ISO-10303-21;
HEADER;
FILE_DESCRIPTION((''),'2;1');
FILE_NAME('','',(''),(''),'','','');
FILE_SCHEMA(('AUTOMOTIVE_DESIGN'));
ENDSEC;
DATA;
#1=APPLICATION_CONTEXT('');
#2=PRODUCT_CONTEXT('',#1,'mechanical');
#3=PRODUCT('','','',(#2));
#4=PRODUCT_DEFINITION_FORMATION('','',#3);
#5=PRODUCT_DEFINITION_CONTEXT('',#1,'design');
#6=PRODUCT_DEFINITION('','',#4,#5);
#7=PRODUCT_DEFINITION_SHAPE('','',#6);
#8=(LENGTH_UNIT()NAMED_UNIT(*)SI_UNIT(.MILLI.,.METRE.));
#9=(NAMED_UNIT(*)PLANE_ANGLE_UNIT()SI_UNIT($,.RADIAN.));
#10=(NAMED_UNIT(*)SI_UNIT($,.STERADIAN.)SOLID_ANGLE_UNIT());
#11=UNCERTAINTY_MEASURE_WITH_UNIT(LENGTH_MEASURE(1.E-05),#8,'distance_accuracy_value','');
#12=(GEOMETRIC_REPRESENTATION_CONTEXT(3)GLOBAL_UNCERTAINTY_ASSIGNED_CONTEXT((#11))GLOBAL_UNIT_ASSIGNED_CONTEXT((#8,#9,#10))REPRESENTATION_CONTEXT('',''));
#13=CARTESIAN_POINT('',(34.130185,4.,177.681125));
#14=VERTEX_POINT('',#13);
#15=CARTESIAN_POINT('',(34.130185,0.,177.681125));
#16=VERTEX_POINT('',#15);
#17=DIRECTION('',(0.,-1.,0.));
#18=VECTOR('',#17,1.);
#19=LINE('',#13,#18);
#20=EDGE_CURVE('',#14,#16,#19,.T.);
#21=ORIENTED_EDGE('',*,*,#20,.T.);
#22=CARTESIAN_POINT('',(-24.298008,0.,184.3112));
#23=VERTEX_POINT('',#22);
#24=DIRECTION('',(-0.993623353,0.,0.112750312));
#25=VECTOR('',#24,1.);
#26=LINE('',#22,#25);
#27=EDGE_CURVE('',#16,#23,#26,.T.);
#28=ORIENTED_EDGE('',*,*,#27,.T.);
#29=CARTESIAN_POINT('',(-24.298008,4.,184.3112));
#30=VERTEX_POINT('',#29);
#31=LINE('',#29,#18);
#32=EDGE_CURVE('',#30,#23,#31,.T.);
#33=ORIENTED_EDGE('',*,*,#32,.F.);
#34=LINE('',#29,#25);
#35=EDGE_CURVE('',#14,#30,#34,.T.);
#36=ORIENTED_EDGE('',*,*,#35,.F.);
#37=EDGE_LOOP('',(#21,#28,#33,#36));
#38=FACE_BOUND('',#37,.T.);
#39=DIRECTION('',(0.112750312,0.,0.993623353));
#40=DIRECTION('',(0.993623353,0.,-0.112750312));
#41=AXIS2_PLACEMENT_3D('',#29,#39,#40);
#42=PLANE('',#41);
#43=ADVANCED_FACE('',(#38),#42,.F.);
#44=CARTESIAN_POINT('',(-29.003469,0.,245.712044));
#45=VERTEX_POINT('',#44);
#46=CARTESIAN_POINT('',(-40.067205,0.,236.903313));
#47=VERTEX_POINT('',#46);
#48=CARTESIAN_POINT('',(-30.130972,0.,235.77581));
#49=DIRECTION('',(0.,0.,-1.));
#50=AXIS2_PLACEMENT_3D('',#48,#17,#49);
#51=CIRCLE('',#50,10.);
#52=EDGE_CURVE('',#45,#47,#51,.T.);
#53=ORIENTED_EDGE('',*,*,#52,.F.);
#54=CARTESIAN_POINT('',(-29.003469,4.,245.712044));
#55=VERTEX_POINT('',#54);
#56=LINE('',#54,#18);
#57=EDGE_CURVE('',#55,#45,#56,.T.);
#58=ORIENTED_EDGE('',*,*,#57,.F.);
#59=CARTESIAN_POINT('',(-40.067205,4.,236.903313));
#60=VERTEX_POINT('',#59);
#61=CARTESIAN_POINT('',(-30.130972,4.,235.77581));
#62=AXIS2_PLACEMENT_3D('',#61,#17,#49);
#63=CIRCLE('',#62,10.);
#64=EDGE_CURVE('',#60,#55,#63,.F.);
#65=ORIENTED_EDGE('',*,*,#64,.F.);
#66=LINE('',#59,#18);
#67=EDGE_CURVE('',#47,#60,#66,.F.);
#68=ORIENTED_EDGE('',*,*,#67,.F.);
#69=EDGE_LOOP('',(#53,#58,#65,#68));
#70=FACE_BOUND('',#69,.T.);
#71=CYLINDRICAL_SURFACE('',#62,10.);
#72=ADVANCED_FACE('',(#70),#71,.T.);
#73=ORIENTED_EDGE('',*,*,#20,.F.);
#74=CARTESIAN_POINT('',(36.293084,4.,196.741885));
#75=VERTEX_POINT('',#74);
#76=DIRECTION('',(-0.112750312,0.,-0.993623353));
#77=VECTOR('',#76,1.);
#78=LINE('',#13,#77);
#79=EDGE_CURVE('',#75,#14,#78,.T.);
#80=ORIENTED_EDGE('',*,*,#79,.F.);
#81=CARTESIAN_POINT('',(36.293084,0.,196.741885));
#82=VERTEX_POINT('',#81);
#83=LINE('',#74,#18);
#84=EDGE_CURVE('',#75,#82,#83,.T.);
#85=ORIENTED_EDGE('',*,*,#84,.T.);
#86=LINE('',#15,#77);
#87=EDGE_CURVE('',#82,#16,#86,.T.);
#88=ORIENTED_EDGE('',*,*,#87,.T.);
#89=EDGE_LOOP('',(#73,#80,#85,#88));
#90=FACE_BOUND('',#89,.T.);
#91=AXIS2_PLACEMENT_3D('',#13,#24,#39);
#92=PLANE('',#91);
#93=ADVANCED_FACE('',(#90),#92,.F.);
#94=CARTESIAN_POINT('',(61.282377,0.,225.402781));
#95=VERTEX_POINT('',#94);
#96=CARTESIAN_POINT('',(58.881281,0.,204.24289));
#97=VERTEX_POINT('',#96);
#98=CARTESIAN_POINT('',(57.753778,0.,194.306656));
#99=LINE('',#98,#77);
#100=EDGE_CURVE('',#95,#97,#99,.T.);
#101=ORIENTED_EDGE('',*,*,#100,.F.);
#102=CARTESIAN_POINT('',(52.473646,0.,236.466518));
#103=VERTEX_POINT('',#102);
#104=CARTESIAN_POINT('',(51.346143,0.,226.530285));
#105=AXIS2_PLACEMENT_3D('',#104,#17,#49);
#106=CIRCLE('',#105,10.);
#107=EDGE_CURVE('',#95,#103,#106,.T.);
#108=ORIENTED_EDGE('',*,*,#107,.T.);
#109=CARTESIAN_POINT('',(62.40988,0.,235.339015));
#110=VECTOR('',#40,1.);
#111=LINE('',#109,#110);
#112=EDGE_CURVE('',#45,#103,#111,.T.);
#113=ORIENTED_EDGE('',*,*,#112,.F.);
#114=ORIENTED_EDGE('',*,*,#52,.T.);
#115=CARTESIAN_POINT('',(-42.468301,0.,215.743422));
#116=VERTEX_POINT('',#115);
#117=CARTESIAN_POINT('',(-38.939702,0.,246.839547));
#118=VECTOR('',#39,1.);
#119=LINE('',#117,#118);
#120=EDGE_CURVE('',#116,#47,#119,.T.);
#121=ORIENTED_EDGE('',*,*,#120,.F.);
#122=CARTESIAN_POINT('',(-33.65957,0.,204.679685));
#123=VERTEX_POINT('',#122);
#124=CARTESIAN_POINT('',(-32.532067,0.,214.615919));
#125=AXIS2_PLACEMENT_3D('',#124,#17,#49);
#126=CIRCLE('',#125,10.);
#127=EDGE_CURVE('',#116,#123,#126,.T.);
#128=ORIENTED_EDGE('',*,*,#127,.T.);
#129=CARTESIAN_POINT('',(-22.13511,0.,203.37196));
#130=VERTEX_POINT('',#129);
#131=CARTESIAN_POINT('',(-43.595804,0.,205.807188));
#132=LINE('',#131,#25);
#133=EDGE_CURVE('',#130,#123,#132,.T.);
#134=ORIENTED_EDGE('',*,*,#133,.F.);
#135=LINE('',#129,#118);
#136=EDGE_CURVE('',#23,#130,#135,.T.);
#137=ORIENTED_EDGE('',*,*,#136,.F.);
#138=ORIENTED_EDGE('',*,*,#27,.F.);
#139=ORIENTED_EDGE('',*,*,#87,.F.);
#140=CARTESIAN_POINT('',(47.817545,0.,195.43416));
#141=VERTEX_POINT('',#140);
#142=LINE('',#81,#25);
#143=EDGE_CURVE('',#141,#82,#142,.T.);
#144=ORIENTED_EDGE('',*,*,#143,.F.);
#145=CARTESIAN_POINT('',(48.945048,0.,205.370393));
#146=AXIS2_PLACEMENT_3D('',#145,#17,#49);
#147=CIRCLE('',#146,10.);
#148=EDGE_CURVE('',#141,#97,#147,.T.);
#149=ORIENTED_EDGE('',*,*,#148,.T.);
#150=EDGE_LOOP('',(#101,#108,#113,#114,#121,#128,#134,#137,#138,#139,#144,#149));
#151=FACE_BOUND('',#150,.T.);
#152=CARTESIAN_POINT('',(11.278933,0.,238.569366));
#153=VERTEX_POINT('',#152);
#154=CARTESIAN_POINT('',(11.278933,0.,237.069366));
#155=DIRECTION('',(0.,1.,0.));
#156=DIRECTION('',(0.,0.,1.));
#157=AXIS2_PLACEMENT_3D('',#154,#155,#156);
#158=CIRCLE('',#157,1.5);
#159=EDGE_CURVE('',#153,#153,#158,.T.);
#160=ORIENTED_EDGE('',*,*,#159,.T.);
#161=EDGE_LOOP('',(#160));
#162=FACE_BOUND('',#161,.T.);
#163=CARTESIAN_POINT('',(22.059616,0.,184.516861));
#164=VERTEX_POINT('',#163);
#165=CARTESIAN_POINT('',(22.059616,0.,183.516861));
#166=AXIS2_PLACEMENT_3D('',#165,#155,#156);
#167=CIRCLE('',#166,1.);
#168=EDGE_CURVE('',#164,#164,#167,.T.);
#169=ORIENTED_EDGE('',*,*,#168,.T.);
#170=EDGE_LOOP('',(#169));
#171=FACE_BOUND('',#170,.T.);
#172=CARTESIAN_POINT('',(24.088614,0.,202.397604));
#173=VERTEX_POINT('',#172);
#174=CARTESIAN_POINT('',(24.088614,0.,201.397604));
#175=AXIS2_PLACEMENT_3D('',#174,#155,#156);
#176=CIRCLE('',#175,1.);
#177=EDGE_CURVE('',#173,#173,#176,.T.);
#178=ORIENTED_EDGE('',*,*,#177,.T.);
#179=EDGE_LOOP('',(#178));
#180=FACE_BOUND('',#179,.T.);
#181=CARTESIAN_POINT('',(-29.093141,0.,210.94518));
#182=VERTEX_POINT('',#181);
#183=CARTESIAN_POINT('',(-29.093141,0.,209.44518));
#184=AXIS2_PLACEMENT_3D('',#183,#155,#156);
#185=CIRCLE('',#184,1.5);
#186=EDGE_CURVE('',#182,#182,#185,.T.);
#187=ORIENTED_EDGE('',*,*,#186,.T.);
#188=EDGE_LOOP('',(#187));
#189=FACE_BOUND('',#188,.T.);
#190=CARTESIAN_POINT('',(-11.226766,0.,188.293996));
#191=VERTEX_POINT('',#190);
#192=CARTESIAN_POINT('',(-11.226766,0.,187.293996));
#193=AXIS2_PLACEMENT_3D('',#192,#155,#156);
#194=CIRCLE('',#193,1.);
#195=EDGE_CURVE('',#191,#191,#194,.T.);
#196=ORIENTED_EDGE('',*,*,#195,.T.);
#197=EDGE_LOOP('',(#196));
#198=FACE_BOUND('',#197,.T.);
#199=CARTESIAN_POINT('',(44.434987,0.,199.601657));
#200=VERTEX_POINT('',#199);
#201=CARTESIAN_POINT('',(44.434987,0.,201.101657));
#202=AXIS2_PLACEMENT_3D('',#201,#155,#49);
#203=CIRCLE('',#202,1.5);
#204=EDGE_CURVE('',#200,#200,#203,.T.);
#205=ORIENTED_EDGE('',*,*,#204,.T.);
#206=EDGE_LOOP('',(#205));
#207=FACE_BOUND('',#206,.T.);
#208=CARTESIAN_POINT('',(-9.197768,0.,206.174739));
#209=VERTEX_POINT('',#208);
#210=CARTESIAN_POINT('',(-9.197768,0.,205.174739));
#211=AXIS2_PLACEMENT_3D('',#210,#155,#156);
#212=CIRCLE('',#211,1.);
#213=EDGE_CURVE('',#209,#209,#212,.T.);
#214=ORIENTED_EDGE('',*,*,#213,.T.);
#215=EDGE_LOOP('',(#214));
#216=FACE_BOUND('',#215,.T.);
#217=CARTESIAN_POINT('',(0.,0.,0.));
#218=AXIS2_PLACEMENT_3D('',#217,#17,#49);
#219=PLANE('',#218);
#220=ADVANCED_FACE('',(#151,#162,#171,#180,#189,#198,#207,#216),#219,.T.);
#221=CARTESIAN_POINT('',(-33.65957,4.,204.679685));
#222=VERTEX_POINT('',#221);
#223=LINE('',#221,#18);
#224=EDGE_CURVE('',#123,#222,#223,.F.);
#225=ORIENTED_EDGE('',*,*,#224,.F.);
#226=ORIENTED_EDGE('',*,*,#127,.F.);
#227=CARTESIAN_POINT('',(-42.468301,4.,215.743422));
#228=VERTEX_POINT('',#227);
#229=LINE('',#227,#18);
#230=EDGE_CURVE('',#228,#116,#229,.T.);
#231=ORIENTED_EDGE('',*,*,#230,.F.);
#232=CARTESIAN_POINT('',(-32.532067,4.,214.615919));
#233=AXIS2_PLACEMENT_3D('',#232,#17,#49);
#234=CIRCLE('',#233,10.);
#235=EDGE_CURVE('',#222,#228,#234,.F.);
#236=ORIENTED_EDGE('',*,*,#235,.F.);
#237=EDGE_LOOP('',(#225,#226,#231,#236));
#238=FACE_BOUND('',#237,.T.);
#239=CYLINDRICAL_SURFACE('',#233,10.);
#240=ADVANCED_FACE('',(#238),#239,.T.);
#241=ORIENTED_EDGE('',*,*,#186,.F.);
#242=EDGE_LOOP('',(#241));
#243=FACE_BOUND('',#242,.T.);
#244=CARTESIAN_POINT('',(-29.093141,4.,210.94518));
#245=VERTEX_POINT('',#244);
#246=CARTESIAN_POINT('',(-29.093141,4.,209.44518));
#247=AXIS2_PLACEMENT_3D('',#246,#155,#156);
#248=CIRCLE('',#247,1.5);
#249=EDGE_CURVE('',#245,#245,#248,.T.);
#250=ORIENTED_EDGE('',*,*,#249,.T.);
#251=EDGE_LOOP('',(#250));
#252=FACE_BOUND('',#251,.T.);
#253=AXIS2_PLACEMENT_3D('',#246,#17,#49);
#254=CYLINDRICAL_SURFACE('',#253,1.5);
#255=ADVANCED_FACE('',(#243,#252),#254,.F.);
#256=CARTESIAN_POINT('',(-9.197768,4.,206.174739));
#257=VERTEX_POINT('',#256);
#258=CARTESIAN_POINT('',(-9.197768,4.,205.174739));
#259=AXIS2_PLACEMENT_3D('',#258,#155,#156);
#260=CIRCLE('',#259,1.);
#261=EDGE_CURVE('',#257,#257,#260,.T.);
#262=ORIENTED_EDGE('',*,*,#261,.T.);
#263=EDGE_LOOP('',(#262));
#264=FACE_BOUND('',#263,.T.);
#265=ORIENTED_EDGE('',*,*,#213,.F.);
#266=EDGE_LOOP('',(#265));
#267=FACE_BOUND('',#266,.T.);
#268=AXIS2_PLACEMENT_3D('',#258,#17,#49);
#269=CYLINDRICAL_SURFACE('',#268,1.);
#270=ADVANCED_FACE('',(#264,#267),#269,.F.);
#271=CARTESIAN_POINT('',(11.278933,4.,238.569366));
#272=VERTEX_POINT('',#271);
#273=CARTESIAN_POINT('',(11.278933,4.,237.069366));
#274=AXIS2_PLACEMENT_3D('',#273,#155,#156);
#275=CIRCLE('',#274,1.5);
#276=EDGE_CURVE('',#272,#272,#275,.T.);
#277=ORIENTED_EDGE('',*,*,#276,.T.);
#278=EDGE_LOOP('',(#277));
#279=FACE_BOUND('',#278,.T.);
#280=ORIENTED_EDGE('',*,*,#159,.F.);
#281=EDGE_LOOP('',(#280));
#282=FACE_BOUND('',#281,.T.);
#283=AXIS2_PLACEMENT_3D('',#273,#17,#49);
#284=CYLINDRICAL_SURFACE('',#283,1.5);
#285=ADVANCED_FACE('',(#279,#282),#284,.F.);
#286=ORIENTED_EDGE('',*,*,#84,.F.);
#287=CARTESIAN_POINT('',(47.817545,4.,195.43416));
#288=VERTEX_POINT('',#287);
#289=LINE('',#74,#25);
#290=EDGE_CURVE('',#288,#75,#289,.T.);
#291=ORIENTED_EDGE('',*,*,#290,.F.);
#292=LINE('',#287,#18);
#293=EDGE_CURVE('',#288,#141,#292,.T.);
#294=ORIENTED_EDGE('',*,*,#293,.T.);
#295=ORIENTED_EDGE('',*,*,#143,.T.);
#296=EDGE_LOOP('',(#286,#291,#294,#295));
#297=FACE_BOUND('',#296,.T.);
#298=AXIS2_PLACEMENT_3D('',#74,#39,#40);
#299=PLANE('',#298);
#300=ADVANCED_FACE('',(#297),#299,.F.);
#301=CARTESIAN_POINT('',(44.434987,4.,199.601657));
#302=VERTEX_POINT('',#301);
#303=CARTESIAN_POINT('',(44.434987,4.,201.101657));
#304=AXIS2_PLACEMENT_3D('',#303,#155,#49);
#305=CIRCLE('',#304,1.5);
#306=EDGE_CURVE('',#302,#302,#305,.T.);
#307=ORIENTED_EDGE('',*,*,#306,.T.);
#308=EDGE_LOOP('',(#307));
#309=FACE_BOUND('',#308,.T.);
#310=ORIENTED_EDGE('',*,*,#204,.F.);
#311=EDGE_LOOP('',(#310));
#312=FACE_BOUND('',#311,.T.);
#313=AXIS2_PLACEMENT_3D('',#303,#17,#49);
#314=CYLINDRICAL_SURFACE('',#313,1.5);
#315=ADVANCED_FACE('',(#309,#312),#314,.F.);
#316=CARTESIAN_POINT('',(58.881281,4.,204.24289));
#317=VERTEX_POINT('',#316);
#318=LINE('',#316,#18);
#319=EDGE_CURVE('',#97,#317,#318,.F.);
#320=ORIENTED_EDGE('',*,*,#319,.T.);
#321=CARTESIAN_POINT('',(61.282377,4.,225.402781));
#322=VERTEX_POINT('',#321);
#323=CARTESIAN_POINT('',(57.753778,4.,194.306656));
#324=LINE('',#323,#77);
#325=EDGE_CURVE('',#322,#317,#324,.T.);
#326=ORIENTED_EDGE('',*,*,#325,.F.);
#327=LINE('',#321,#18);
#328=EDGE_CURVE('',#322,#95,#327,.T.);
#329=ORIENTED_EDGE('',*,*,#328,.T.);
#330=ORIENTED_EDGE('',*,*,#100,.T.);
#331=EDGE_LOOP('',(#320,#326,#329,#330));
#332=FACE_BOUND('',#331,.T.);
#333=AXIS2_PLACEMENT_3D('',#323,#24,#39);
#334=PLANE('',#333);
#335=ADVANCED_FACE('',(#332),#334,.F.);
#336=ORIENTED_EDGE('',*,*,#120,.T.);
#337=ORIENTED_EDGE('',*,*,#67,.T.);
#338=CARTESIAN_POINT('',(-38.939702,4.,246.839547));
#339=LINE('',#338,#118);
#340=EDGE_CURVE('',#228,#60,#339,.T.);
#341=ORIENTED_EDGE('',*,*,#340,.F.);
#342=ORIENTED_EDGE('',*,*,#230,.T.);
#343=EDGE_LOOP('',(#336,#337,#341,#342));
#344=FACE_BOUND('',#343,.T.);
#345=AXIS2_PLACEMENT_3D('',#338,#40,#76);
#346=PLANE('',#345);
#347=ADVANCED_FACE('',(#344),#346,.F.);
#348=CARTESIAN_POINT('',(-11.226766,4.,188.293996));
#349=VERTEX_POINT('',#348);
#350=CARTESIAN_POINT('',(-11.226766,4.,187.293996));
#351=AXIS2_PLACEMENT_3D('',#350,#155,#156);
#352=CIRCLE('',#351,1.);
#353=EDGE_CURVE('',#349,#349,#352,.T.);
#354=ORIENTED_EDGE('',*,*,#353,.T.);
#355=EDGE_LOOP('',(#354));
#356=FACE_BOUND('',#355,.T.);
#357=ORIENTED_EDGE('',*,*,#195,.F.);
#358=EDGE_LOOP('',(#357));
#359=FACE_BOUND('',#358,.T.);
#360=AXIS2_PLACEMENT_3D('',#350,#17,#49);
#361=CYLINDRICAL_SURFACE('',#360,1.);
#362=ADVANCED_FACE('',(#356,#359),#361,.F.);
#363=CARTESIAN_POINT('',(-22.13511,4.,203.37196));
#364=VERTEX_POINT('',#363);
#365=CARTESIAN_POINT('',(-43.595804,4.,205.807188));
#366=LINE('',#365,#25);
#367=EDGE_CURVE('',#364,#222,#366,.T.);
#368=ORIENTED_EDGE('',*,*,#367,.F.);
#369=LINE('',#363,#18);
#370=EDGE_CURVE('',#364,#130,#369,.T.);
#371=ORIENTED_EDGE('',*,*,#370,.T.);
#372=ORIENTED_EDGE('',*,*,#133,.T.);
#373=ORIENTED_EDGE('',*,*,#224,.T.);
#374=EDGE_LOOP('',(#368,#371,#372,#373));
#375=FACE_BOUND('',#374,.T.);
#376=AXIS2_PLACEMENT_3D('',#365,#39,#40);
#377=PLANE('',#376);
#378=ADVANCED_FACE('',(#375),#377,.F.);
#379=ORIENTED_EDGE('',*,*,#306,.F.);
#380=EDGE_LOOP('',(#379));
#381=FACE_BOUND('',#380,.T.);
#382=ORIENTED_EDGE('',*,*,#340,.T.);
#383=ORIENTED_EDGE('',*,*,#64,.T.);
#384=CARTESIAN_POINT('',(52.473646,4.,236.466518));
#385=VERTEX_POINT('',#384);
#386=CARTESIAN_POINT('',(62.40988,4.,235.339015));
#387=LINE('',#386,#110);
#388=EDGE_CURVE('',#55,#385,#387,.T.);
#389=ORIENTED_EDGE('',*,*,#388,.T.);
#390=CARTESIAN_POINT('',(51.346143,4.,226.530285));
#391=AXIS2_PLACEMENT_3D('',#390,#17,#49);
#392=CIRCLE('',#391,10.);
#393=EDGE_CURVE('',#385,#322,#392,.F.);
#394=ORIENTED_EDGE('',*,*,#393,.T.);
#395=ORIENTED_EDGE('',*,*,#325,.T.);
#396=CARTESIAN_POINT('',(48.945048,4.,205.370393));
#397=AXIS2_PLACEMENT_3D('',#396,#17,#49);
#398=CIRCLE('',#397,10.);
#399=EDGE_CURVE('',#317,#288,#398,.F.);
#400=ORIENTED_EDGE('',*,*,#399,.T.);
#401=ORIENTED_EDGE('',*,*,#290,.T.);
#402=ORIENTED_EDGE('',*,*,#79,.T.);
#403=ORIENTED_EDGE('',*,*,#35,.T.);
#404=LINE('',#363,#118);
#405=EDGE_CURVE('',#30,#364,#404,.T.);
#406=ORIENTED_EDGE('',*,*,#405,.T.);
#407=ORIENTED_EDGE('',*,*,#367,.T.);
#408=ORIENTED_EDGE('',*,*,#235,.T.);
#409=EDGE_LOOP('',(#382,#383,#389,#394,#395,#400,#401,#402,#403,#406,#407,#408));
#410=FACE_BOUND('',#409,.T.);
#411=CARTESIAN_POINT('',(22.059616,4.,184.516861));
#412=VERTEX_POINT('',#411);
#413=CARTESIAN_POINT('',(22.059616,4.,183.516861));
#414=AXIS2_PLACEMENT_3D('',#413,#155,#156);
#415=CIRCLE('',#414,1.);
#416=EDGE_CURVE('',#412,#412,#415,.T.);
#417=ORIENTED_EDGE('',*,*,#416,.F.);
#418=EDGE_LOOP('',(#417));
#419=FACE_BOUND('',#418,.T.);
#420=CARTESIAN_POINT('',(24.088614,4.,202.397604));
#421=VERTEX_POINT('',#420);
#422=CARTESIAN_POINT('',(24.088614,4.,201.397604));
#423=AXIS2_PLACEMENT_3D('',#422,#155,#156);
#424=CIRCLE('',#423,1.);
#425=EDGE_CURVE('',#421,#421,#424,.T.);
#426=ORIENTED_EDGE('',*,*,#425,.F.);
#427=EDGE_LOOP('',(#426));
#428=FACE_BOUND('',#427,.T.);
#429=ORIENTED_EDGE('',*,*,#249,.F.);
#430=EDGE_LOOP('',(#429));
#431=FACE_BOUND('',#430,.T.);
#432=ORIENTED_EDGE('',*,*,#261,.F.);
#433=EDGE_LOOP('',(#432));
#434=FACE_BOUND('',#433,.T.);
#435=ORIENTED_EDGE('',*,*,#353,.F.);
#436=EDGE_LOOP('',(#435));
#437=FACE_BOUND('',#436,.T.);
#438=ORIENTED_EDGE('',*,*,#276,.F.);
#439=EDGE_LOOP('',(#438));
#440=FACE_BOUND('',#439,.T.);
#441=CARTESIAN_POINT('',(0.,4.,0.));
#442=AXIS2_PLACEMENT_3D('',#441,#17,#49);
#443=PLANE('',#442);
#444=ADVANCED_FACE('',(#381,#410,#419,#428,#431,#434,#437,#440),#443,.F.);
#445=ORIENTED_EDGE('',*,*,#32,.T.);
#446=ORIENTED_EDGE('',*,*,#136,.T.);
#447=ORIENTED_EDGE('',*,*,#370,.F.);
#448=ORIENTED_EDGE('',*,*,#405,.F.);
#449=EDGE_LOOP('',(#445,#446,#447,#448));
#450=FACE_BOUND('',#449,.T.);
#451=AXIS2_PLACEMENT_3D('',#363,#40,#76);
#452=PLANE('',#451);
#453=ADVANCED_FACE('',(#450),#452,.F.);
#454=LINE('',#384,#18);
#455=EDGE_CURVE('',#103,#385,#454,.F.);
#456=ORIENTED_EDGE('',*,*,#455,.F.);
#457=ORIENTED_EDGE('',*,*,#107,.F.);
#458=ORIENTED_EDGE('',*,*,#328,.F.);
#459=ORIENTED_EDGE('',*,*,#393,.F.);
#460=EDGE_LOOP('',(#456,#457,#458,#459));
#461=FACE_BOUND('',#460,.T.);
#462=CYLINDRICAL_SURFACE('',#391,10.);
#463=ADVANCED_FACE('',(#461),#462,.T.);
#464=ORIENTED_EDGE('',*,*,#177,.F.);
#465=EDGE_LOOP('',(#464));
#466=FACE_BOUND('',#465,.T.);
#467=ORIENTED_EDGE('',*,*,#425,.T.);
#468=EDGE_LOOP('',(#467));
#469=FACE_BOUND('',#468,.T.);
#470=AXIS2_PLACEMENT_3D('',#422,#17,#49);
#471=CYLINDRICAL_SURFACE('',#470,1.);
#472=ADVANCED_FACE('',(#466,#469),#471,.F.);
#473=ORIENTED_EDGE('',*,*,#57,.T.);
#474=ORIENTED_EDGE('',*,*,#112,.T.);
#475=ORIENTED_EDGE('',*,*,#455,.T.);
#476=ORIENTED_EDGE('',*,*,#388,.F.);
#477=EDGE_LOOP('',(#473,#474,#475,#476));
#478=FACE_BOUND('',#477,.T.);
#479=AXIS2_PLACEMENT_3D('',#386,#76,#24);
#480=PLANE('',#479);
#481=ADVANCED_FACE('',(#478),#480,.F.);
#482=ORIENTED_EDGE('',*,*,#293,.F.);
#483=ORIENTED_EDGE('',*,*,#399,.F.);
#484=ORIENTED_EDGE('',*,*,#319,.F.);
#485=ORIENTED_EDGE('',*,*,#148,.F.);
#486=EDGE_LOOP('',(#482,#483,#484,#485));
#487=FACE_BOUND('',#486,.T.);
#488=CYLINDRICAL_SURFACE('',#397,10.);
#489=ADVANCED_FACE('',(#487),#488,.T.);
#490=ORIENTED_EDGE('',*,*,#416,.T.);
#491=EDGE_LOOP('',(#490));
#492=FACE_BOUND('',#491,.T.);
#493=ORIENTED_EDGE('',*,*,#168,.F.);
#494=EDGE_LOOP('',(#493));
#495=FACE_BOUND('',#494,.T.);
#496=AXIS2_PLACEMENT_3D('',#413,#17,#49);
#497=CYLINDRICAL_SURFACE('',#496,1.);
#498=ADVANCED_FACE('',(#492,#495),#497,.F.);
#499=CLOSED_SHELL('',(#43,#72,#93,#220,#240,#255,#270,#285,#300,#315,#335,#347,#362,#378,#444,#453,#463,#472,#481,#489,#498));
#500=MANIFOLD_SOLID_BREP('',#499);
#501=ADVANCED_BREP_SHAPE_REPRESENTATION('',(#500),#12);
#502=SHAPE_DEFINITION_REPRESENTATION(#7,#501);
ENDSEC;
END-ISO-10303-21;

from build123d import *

# Parameters (mm, degrees)
SKETCH1_R           = 1.5
SKETCH1_R_2         = 1
BOSS_EXTRUDE1_DEPTH = 4
FILLET1_R           = 10
FILLET2_R           = 10
FILLET3_R           = 10
FILLET4_R           = 10


with BuildPart() as part:
    # Sketch1 → Boss-Extrude1 (new body)
    with BuildSketch(Plane(origin=(0, 0, 0), x_dir=(1, 0, 0), z_dir=(0, 1, 0))):
        Polygon((-43.595803766, -205.807188304), (-22.135109681, -203.371959758), (-24.298008335, -184.311199966), (34.130185477, -177.681125241), (36.293084131, -196.741885032), (57.753778216, -194.306656487), (62.409879754, -235.339014996), (-38.939702228, -246.839546813), align=None)
        with Locations(Location((-29.093140713, -209.445179895, 0), (0, 0, 270))):
            Circle(SKETCH1_R, mode=Mode.SUBTRACT)
        with Locations(Location((44.434987391, -201.101656812, 0), (0, 0, 90))):
            Circle(SKETCH1_R, mode=Mode.SUBTRACT)
        with Locations(Location((11.278933321, -237.069365642, 0), (0, 0, 270))):
            Circle(SKETCH1_R, mode=Mode.SUBTRACT)
        with Locations(Location((-9.197768444, -205.174739373, 0), (0, 0, 270))):
            Circle(SKETCH1_R_2, mode=Mode.SUBTRACT)
        with Locations(Location((-11.22676603, -187.293996073, 0), (0, 0, 270))):
            Circle(SKETCH1_R_2, mode=Mode.SUBTRACT)
        with Locations(Location((22.059616288, -183.516860623, 0), (0, 0, 270))):
            Circle(SKETCH1_R_2, mode=Mode.SUBTRACT)
        with Locations(Location((24.088613874, -201.397603923, 0), (0, 0, 270))):
            Circle(SKETCH1_R_2, mode=Mode.SUBTRACT)
    extrude(amount=BOSS_EXTRUDE1_DEPTH)

    # Fillet1
    fillet1_edges = [part.edges().sort_by_distance(p)[0] for p in [
        (-38.939702228, 2, 246.839546813),
    ]]
    fillet(fillet1_edges, radius=FILLET1_R)

    # Fillet2
    fillet2_edges = [part.edges().sort_by_distance(p)[0] for p in [
        (62.409879754, 2, 235.339014996),
    ]]
    fillet(fillet2_edges, radius=FILLET2_R)

    # Fillet3
    fillet3_edges = [part.edges().sort_by_distance(p)[0] for p in [
        (57.753778216, 2, 194.306656487),
    ]]
    fillet(fillet3_edges, radius=FILLET3_R)

    # Fillet4
    fillet4_edges = [part.edges().sort_by_distance(p)[0] for p in [
        (-43.595803766, 2, 205.807188304),
    ]]
    fillet(fillet4_edges, radius=FILLET4_R)


solid = part.part
